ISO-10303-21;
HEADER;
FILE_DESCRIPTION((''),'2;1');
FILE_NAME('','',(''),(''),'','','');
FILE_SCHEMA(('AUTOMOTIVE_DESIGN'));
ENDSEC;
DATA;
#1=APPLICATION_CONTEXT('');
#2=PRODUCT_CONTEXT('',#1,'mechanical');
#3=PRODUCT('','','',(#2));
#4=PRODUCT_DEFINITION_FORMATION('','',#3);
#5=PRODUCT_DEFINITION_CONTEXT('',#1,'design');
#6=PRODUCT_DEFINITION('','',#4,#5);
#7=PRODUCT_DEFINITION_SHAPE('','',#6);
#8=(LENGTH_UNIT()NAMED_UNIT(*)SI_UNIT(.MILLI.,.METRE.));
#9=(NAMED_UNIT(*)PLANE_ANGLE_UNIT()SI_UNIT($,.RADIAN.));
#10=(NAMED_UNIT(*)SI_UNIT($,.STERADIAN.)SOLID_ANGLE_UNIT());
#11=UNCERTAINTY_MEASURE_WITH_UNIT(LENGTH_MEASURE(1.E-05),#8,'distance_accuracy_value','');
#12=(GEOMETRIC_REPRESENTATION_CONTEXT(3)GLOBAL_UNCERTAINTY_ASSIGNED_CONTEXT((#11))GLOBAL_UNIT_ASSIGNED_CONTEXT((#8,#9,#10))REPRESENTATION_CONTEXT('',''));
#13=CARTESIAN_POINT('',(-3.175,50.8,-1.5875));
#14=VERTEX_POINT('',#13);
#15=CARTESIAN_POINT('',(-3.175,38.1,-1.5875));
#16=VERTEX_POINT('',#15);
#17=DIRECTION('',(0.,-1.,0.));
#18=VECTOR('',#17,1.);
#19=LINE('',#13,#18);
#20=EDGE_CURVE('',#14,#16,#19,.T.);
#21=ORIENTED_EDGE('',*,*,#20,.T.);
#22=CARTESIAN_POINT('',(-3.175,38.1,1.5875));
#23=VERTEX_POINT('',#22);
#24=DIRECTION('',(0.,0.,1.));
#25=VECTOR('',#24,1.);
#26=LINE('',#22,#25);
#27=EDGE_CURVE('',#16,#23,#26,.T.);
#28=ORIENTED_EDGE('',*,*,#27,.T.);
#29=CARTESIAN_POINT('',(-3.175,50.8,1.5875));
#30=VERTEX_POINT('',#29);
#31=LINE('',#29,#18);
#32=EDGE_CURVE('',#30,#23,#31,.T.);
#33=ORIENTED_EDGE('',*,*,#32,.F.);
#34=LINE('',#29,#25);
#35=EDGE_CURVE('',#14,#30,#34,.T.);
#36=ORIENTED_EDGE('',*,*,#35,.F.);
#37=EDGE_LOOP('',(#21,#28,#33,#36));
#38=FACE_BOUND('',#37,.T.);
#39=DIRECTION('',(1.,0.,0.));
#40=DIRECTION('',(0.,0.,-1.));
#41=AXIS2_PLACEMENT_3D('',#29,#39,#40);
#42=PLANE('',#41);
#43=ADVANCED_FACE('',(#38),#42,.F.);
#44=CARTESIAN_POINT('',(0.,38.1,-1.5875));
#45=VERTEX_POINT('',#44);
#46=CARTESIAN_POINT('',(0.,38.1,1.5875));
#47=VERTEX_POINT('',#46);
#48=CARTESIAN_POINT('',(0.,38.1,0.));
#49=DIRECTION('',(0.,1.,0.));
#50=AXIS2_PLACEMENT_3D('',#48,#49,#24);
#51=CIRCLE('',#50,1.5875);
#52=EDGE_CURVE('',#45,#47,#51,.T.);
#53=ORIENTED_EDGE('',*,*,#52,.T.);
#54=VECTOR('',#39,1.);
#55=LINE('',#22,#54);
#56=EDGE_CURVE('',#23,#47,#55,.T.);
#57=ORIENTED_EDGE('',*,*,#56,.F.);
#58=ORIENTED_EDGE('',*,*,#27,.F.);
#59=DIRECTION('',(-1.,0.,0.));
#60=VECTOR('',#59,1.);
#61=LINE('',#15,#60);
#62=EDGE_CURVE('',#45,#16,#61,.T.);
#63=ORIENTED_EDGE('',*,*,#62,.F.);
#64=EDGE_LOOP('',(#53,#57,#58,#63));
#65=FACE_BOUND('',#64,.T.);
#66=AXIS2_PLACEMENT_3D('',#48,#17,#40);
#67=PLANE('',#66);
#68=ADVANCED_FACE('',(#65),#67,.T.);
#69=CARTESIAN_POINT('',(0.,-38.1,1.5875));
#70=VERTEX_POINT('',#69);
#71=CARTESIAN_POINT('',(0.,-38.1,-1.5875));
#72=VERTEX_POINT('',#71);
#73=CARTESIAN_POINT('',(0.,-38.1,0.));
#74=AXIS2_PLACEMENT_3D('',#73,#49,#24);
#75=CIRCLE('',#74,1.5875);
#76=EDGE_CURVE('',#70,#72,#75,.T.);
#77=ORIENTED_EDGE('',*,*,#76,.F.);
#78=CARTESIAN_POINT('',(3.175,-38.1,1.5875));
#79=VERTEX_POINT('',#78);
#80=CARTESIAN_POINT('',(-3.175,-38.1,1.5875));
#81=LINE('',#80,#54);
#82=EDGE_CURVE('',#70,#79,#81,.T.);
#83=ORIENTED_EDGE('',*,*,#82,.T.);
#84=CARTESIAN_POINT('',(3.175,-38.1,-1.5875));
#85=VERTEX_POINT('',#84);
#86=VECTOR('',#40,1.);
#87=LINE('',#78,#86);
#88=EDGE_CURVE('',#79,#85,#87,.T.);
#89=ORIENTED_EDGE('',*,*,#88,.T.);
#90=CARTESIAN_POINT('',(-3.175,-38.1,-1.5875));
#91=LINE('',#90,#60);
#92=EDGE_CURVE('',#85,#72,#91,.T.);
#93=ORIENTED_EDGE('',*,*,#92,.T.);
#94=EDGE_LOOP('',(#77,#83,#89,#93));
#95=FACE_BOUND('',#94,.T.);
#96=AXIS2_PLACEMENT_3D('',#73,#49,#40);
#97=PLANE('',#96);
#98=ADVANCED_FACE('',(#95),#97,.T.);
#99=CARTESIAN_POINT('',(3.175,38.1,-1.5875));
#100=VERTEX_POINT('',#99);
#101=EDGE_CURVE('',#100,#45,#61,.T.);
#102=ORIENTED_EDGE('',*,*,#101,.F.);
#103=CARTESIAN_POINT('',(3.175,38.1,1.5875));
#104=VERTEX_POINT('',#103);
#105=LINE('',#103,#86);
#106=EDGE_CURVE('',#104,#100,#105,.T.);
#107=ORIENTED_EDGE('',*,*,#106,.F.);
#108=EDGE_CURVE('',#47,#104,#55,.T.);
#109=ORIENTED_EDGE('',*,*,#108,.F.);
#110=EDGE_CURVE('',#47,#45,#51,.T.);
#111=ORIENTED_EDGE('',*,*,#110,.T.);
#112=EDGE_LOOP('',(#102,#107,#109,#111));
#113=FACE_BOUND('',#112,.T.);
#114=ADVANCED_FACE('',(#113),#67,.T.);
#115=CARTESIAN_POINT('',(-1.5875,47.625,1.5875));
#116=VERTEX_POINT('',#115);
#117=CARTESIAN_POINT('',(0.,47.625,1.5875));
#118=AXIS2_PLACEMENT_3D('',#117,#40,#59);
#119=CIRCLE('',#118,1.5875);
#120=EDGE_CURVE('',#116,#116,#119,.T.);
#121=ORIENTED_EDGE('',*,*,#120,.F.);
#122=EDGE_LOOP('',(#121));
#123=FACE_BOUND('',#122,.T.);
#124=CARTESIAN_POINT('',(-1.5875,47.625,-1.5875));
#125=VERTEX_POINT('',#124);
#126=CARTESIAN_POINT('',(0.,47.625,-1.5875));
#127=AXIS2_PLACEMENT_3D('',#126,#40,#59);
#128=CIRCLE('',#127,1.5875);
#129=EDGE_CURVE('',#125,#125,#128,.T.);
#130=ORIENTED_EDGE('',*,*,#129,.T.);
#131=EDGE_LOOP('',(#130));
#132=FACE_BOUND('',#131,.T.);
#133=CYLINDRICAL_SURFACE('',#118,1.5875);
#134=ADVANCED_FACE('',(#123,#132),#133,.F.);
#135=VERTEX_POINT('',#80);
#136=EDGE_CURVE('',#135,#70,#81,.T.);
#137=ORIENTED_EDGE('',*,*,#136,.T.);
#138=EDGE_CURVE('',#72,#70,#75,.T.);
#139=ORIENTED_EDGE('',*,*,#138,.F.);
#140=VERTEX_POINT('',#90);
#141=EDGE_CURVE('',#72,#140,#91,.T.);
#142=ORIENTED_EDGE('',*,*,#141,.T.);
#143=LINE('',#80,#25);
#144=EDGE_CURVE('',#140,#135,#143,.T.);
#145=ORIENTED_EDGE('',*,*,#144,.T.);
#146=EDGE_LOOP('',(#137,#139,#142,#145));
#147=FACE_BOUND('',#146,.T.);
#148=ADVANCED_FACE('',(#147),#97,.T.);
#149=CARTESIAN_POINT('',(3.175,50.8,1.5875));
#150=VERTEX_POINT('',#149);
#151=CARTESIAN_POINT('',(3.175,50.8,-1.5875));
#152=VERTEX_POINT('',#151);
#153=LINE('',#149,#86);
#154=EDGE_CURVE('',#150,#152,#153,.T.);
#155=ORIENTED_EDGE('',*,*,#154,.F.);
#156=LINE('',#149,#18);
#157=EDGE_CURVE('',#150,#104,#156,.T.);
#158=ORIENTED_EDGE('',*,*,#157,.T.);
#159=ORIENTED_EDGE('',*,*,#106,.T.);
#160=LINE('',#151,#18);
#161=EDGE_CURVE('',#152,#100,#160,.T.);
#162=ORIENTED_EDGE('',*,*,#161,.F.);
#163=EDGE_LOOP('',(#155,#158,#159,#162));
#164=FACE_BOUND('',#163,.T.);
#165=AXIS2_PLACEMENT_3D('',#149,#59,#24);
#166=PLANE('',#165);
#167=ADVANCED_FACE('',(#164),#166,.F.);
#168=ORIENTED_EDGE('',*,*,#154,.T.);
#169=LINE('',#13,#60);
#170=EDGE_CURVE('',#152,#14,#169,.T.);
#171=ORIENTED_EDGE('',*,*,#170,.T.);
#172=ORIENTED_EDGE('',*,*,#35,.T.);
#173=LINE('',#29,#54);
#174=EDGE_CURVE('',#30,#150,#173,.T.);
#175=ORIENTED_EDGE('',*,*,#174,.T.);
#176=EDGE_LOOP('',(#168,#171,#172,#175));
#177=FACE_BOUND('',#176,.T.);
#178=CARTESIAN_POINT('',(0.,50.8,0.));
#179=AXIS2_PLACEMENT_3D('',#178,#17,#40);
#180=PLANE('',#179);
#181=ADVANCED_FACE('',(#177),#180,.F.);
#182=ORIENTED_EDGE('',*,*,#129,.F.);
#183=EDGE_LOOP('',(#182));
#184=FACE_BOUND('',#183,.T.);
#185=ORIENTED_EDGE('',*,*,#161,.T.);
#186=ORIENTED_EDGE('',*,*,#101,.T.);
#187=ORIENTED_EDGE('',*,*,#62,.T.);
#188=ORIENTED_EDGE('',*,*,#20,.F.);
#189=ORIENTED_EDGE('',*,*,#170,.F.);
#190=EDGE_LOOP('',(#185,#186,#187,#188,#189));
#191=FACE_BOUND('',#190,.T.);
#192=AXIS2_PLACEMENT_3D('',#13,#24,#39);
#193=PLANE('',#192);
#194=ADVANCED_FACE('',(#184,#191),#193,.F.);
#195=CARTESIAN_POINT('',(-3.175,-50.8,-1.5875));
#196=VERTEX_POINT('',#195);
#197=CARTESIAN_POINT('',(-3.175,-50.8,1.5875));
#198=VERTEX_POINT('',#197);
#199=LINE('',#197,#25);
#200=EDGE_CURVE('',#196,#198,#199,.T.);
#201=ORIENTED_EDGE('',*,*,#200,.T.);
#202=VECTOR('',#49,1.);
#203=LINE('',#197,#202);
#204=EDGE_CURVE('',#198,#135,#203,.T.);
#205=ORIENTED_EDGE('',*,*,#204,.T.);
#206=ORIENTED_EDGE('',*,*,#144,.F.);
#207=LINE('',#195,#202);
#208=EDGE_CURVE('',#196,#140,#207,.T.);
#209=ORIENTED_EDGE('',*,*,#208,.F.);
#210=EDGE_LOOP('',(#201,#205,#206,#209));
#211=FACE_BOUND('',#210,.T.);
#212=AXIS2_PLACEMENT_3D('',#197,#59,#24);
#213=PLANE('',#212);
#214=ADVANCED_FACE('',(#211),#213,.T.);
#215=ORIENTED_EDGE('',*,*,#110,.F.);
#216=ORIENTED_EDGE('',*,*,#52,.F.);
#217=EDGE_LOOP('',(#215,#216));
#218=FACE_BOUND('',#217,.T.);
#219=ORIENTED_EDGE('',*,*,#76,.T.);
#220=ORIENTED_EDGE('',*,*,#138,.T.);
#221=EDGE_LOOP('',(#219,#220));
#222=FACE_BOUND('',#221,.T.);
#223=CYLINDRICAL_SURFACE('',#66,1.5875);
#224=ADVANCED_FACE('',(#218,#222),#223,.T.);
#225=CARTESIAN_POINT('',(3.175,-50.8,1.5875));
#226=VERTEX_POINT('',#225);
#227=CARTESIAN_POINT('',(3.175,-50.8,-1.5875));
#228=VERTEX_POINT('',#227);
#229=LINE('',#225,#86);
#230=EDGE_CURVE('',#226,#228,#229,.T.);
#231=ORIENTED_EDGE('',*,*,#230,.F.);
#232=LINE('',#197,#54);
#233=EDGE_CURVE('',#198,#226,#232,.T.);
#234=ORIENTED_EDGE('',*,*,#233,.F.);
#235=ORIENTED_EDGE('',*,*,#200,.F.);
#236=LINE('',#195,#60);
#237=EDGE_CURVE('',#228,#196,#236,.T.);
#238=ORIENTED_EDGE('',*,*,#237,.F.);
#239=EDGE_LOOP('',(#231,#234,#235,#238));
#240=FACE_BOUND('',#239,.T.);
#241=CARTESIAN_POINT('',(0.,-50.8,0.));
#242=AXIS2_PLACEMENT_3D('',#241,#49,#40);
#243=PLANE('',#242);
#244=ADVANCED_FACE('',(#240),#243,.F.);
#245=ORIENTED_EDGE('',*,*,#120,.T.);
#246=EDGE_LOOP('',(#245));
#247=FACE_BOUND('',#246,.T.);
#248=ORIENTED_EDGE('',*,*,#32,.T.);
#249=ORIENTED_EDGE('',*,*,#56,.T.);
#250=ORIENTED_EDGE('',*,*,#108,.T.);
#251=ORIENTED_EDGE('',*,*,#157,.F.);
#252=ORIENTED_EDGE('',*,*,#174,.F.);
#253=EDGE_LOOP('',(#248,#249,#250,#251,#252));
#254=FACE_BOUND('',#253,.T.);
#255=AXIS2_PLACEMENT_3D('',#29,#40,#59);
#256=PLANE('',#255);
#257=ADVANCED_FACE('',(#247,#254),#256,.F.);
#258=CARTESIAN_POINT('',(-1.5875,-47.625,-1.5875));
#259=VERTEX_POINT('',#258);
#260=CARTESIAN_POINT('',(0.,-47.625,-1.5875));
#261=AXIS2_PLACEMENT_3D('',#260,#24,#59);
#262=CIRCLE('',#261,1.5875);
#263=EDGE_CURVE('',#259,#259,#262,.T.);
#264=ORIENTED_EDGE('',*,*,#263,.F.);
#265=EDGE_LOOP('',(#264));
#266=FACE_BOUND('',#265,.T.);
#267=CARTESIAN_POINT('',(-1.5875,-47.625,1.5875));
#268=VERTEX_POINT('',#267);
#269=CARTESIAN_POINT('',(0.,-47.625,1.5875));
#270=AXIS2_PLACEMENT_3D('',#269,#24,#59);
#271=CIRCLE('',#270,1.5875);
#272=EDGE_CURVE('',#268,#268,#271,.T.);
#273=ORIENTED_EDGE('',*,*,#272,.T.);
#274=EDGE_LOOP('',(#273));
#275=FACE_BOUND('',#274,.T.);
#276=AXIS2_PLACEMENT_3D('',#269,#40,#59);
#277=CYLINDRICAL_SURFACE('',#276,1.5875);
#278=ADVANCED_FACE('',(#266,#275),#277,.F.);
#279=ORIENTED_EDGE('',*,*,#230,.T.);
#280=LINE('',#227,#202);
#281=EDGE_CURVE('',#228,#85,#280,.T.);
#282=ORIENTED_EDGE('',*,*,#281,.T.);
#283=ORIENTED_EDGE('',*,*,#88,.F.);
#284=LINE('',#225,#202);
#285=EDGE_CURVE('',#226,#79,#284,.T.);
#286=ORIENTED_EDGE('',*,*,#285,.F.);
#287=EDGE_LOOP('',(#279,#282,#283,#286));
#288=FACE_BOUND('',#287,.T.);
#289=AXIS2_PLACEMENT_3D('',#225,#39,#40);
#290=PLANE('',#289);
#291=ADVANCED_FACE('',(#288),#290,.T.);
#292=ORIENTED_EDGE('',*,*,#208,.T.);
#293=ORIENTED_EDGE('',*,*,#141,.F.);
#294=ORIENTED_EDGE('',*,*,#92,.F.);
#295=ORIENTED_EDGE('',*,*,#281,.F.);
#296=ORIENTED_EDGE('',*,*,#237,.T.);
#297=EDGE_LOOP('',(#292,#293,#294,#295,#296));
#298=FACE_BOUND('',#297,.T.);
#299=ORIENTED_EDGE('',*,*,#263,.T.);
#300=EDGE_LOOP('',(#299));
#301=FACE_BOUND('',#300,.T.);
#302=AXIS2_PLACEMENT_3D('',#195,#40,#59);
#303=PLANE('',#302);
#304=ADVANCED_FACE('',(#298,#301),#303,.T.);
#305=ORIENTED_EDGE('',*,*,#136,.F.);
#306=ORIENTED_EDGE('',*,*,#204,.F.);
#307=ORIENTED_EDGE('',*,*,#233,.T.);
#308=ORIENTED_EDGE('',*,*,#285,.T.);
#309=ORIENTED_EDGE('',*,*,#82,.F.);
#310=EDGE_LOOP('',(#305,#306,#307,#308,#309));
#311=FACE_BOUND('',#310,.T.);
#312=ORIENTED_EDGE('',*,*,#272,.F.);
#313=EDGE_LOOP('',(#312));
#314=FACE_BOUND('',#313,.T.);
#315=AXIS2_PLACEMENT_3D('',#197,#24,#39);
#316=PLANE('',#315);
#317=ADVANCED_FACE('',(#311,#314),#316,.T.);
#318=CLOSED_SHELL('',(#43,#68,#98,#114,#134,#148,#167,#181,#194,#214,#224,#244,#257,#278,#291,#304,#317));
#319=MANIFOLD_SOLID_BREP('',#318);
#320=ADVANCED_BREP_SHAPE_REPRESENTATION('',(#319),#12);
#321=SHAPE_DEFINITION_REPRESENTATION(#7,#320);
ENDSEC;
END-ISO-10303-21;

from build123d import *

# Parameters (mm, degrees)
SKETCH1_R           = 1.5875
BOSS_EXTRUDE1_DEPTH = 38.1
SKETCH2_W           = 6.35
SKETCH2_H           = 3.175
BOSS_EXTRUDE2_DEPTH = 12.7
SKETCH3_R           = 1.5875
CUT_EXTRUDE1_DEPTH  = 51.998051433


with BuildPart() as part:
    # Sketch1 → Boss-Extrude1 (new body)
    with BuildSketch(Plane(origin=(0, 0, 0), x_dir=(1, 0, 0), z_dir=(0, 1, 0))):
        with Locations(Location((0, 0, 0), (0, 0, 90))):
            Circle(SKETCH1_R)
    boss_extrude1 = extrude(amount=BOSS_EXTRUDE1_DEPTH)

    # Sketch2 → Boss-Extrude2 (add)
    with BuildSketch(Plane(origin=(0, 38.1, 0), x_dir=(1, 0, 0), z_dir=(0, 1, 0))):
        Rectangle(SKETCH2_W, SKETCH2_H)
    boss_extrude2 = extrude(amount=BOSS_EXTRUDE2_DEPTH)

    # Sketch3 → Cut-Extrude1 (cut, through all)
    with BuildSketch(Plane(origin=(0, 0, -1.5875), x_dir=(-1, 0, 0), z_dir=(0, 0, -1))):
        with Locations((0, 47.625)):
            Circle(SKETCH3_R)
    cut_extrude1 = extrude(amount=-CUT_EXTRUDE1_DEPTH, mode=Mode.SUBTRACT)

    # Mirror1: Boss-Extrude1, Boss-Extrude2, Cut-Extrude1 across plane
    add(boss_extrude1.mirror(Plane.ZX))
    add(boss_extrude2.mirror(Plane.ZX))
    add(cut_extrude1.mirror(Plane.ZX), mode=Mode.SUBTRACT)


solid = part.part
